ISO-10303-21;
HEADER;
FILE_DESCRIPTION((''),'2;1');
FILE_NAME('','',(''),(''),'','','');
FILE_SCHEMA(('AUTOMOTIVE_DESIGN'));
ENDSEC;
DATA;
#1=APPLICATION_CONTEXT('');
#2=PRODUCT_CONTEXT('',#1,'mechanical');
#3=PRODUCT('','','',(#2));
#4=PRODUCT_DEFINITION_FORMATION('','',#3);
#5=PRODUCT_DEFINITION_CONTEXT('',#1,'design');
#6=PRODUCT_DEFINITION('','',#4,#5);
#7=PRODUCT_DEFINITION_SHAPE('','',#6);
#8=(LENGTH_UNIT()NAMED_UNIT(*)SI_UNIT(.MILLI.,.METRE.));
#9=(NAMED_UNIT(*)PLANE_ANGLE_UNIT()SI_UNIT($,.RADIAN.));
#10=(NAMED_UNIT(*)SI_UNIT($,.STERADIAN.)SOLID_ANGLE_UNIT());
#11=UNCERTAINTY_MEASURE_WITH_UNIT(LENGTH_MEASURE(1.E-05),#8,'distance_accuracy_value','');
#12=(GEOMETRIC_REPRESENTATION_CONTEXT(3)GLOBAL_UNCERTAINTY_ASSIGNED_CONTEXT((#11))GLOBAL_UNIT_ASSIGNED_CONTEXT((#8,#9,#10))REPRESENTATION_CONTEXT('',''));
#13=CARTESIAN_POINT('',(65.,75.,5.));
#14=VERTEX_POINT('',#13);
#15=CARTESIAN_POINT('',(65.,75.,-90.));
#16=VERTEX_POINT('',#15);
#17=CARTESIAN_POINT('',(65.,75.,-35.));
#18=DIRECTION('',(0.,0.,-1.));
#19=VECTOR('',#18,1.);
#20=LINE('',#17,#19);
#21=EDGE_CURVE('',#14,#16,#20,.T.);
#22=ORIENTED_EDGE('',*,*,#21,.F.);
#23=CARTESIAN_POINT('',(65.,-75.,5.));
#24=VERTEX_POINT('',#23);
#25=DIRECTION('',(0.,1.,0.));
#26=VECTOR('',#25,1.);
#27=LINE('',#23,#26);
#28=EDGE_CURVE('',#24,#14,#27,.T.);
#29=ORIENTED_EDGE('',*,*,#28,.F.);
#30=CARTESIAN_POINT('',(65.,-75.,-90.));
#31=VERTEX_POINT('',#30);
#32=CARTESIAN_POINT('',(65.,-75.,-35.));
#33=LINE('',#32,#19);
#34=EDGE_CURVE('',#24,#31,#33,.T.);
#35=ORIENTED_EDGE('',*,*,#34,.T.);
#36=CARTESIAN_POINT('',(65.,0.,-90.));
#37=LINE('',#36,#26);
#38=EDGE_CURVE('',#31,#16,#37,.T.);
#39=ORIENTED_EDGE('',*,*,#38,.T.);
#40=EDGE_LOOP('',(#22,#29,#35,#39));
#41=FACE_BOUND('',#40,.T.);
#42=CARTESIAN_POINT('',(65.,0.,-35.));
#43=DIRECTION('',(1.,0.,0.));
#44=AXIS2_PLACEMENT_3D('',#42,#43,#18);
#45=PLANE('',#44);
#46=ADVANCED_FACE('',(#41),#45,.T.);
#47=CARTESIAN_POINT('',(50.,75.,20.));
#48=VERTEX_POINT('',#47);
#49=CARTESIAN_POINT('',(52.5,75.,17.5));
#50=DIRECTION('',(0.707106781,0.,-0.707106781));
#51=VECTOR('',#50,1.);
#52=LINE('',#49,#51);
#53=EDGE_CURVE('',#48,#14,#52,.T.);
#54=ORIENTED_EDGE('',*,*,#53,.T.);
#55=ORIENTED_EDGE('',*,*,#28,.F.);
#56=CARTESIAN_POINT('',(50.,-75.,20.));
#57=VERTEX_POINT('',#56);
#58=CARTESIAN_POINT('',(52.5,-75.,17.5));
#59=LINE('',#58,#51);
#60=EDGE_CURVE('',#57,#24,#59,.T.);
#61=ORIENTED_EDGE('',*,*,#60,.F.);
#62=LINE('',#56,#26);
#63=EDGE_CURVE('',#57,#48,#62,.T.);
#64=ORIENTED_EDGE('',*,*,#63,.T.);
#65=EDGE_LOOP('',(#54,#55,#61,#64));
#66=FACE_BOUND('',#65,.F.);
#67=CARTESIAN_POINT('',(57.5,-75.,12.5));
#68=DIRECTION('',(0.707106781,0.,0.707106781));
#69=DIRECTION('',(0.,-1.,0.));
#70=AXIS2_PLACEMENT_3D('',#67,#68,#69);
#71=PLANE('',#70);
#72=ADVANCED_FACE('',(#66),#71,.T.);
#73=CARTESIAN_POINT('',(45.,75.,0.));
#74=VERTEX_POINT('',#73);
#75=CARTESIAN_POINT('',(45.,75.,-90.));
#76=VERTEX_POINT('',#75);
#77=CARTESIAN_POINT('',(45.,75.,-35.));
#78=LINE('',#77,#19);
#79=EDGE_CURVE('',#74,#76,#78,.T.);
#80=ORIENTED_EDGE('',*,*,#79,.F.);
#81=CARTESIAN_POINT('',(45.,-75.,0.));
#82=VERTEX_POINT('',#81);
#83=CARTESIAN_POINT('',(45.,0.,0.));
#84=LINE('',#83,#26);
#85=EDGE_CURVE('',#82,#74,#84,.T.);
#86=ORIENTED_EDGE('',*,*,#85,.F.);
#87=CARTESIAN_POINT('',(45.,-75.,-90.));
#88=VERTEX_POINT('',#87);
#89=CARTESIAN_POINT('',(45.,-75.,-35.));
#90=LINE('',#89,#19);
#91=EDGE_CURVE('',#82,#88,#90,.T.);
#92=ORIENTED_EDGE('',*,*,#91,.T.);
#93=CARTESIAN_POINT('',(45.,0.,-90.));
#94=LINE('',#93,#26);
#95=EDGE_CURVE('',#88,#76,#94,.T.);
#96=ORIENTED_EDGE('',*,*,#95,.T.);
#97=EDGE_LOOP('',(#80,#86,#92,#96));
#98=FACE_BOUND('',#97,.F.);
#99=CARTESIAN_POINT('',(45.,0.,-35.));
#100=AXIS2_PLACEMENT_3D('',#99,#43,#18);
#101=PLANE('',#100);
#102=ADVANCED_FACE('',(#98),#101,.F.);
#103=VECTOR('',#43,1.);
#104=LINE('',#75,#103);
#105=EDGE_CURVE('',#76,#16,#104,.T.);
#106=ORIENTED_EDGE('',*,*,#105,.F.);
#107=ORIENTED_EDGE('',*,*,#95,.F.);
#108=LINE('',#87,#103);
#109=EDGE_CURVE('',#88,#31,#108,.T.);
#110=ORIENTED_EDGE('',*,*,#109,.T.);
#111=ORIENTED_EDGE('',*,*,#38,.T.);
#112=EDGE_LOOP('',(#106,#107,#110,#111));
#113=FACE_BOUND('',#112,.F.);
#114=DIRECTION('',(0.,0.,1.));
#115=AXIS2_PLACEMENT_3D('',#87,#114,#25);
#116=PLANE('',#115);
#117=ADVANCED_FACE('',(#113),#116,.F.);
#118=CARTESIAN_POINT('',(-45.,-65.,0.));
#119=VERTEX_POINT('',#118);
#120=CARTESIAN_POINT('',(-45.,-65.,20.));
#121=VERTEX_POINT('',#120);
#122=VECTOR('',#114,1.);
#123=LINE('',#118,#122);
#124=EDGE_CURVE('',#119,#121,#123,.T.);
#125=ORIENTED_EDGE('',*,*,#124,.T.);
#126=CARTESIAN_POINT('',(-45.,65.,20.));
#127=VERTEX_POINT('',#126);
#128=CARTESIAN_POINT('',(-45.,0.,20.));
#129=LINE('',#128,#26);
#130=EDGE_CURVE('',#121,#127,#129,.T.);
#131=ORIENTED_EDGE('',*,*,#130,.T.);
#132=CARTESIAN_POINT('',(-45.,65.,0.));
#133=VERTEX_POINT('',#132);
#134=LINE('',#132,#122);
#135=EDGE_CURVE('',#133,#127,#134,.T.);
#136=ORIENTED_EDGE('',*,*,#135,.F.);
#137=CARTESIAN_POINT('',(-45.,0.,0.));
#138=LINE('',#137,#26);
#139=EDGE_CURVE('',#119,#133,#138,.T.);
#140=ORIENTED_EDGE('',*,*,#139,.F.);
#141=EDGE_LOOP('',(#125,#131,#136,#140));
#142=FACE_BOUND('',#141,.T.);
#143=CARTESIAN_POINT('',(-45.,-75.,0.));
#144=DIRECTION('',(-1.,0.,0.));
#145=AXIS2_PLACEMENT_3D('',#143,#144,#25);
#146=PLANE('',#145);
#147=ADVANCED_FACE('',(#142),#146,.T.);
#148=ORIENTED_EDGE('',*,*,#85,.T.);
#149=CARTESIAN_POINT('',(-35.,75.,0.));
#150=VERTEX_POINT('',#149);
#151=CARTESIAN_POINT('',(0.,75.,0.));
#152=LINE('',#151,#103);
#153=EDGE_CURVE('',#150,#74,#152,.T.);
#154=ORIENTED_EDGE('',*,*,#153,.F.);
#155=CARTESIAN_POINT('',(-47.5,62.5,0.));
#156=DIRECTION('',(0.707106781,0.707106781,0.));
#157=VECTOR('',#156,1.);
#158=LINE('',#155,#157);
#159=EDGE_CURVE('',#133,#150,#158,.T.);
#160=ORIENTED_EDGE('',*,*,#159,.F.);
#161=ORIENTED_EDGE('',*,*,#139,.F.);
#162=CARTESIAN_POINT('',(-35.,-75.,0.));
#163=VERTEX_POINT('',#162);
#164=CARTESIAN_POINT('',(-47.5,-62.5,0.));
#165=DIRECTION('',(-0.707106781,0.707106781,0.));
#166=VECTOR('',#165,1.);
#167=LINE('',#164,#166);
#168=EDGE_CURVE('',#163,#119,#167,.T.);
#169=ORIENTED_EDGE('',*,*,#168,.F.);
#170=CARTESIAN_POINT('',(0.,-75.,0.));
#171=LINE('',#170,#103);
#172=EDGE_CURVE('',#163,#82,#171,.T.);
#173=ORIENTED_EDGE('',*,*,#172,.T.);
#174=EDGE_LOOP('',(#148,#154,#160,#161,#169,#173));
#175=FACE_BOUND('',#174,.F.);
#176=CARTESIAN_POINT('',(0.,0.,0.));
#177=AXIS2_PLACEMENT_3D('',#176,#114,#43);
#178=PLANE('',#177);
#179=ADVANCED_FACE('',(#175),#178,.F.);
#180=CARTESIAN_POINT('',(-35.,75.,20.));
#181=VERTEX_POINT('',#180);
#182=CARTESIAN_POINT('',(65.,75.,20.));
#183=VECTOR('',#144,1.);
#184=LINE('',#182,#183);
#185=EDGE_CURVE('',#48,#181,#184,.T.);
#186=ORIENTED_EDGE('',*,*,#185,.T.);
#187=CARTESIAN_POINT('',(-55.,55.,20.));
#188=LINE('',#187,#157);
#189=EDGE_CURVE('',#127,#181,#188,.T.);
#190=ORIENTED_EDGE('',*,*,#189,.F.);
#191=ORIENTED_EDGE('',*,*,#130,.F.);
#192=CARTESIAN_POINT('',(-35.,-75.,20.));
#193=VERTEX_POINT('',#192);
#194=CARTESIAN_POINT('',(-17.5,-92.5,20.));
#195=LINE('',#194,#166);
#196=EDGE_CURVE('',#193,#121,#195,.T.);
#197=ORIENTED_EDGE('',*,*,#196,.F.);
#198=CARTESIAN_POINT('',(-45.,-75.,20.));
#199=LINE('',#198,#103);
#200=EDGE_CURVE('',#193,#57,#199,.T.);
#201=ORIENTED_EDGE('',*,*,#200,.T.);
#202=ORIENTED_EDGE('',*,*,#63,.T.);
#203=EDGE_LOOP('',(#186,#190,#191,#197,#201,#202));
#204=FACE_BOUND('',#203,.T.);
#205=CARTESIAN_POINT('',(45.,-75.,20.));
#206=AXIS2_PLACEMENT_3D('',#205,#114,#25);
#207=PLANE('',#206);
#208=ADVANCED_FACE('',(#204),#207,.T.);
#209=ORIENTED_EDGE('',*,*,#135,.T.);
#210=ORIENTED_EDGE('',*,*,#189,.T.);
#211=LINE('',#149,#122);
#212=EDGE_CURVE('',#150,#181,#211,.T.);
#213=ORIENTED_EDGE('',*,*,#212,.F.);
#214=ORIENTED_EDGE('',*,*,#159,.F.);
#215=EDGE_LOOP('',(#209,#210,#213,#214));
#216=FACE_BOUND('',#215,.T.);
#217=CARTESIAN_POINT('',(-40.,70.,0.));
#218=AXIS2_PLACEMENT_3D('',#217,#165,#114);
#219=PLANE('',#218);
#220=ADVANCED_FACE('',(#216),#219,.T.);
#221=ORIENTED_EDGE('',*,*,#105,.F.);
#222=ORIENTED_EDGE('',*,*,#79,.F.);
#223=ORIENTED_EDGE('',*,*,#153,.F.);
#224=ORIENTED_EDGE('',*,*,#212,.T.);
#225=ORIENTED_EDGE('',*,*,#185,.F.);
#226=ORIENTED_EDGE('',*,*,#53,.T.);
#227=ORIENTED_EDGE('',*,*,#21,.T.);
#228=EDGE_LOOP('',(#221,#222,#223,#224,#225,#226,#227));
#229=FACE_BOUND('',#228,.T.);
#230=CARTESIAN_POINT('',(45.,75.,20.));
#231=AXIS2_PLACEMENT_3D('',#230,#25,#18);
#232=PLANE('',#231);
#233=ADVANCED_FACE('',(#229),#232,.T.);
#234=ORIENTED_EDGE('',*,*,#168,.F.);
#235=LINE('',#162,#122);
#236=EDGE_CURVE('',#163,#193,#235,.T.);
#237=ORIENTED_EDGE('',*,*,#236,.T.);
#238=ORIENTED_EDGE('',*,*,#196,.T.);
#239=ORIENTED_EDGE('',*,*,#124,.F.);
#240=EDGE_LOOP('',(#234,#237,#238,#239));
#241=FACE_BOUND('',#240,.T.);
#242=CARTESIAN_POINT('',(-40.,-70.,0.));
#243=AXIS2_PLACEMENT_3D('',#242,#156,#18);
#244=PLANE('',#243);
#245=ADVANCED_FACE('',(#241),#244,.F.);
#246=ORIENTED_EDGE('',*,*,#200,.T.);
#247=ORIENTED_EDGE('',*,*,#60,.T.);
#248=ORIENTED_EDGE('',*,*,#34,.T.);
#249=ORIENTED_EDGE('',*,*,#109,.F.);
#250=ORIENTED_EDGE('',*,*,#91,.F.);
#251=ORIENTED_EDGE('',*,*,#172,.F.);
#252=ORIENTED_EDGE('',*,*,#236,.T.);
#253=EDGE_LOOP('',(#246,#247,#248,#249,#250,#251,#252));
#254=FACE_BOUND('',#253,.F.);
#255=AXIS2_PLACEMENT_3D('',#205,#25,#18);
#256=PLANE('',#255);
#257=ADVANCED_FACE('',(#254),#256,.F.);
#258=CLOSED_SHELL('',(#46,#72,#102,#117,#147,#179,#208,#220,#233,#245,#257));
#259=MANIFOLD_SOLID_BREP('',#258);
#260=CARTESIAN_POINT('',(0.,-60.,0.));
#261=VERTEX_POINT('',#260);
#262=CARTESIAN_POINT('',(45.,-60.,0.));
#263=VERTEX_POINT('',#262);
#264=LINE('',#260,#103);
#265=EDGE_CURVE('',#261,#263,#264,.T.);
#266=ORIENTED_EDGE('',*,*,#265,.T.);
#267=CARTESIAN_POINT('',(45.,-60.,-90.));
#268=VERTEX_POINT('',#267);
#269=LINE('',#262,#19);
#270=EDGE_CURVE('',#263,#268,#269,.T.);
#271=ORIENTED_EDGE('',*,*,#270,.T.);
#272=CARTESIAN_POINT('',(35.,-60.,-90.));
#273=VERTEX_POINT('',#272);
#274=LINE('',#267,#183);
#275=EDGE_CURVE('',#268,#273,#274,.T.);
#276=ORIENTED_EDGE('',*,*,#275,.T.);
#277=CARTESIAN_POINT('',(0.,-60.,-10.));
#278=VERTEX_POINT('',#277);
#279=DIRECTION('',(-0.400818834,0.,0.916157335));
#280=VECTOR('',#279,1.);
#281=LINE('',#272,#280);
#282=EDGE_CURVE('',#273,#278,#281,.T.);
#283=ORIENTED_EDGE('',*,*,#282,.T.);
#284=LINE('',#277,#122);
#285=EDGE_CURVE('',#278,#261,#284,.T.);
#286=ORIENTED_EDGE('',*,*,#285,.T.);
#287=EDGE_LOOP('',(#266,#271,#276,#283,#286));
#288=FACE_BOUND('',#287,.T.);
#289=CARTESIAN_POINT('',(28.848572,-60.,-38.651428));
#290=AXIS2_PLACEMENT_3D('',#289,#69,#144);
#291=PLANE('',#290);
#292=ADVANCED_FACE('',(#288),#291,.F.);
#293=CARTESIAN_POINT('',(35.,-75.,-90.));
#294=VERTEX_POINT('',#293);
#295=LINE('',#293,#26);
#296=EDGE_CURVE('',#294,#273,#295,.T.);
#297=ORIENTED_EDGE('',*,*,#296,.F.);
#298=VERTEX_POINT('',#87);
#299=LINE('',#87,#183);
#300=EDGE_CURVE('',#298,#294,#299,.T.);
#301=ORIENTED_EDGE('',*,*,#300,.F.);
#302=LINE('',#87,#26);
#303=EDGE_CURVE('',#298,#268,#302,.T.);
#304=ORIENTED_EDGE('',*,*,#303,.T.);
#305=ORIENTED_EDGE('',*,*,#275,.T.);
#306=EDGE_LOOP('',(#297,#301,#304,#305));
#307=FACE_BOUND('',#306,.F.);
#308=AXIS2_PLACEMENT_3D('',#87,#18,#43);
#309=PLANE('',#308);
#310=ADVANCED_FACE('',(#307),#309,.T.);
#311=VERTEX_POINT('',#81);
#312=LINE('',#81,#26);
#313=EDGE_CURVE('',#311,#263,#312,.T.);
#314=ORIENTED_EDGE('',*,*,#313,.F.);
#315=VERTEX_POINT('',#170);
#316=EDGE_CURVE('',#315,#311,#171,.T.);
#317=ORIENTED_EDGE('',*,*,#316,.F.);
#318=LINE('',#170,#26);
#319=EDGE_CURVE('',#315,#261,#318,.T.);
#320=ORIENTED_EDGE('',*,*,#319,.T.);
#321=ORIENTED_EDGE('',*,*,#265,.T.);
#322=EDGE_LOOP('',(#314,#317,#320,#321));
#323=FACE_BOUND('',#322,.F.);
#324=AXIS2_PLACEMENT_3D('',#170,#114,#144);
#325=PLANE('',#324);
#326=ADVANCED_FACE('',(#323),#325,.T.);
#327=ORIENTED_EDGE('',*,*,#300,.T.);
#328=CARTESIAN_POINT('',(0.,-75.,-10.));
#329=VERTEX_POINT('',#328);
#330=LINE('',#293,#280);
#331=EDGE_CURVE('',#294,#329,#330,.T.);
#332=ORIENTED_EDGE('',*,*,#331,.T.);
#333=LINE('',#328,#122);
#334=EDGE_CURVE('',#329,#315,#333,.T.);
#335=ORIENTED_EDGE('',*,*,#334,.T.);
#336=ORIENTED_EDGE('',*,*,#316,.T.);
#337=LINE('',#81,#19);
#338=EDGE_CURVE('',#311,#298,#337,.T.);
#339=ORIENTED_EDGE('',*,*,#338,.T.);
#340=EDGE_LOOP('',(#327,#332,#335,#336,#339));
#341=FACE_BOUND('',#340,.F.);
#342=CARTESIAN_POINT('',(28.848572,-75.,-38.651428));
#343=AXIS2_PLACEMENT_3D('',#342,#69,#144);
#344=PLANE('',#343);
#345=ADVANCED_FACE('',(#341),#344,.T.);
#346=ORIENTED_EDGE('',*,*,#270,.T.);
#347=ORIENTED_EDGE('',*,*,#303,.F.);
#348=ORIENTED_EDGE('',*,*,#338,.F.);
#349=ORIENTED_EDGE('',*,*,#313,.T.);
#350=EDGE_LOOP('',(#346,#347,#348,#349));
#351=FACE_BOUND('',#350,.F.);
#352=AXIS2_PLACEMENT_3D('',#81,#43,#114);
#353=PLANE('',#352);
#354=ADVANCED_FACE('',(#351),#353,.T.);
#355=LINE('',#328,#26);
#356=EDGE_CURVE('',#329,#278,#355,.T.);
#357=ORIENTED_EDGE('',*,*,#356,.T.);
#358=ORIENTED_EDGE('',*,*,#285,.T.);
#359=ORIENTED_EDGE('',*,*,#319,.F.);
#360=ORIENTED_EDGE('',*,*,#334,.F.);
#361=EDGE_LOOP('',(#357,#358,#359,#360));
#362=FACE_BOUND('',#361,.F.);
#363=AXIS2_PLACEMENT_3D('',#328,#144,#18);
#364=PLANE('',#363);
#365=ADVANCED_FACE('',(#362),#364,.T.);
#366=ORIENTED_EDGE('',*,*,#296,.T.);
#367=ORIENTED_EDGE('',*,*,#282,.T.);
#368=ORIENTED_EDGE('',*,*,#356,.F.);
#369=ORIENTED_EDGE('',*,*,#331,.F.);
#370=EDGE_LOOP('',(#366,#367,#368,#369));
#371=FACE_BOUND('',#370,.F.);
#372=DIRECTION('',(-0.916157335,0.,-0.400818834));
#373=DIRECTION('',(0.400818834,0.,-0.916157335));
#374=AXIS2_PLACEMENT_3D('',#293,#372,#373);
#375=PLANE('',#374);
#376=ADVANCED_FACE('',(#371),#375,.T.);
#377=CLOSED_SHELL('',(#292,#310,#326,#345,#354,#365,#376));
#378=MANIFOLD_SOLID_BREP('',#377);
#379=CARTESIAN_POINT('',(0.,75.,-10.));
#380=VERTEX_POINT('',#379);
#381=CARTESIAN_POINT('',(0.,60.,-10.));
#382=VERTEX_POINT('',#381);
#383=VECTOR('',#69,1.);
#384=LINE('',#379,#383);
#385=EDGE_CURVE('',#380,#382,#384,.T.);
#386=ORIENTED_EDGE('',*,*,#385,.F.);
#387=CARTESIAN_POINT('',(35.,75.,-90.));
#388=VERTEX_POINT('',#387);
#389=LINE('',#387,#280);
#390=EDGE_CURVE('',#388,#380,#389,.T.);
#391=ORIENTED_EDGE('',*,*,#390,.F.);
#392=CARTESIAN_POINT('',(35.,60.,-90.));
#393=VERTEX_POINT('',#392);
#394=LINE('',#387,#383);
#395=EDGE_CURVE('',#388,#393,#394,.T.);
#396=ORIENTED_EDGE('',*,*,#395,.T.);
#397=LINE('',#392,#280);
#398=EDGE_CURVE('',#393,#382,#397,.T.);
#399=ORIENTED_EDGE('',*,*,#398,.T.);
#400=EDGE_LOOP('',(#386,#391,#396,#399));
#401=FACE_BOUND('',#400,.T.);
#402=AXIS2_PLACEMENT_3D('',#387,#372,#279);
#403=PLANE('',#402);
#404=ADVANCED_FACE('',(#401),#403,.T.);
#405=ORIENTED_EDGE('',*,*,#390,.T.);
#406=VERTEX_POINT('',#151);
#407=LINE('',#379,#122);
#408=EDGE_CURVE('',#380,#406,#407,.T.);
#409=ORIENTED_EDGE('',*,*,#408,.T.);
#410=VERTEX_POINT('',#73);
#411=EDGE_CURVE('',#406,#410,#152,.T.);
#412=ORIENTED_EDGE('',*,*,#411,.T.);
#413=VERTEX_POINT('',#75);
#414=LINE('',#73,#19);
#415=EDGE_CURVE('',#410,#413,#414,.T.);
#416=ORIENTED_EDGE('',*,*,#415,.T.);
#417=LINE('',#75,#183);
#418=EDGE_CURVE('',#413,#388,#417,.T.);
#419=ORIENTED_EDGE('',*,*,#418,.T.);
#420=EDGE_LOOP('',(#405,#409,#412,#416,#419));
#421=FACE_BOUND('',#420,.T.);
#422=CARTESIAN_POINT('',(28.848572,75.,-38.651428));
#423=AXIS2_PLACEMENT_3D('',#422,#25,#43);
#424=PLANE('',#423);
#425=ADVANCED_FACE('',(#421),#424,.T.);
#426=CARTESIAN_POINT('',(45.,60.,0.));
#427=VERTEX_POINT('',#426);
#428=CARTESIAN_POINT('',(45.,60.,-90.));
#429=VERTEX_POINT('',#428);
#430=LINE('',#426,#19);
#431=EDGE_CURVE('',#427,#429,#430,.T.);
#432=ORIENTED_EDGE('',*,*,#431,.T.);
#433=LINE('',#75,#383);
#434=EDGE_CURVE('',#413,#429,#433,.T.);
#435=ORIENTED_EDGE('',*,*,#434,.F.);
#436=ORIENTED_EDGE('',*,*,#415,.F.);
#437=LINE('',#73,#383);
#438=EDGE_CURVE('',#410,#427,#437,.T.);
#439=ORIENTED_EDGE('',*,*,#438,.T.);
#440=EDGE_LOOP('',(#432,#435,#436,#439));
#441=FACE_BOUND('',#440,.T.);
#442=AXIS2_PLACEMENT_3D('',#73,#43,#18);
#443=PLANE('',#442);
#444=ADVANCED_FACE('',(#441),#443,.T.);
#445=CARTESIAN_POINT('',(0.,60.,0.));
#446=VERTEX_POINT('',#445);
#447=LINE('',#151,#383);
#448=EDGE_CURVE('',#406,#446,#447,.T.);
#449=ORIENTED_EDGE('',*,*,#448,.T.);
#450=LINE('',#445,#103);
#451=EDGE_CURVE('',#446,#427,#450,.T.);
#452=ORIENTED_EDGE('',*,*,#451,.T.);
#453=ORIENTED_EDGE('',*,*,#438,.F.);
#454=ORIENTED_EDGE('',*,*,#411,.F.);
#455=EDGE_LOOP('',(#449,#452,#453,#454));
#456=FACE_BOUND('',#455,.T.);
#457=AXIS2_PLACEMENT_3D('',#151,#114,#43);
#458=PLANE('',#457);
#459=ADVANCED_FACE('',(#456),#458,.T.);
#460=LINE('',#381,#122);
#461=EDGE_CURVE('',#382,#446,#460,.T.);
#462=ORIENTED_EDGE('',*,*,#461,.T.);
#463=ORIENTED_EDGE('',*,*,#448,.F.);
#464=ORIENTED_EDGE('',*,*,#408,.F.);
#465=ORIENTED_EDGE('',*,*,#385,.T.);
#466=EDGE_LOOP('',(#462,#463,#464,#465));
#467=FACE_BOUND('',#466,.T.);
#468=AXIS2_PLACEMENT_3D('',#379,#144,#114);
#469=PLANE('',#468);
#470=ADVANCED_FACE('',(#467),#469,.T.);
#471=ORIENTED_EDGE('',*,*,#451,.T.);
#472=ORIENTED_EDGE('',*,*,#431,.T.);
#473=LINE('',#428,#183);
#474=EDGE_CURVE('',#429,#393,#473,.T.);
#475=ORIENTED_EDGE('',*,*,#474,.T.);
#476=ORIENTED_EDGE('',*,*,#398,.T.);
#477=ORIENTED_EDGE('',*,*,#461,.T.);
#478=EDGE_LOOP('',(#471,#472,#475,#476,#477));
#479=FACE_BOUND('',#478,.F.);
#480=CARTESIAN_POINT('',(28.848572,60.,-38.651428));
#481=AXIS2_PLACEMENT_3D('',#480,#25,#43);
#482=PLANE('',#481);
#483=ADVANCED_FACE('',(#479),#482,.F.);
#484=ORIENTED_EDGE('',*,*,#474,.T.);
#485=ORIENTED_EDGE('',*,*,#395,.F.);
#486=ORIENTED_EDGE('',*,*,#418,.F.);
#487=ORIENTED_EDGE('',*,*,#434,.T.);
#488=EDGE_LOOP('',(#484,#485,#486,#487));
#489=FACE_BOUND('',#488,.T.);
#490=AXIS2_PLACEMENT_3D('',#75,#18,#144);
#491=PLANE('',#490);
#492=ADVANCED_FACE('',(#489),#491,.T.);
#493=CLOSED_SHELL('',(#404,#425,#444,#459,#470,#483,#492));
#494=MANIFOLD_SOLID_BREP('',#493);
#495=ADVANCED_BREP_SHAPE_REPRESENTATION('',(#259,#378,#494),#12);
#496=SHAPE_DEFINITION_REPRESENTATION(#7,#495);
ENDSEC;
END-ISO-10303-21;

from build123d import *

# Parameters (mm, degrees)
SKETCH_1_W      = 90
SKETCH_1_H      = 150
EXTRUDE_1_DEPTH = 20
SKETCH_2_W      = 110
SKETCH_2_H      = 150
EXTRUDE_2_DEPTH = 20
CHAMFER_1_SIZE  = 10
EXTRUDE_3_DEPTH = 15
CHAMFER_2_SIZE  = 15


with BuildPart() as part:
    # 草图1 → 凸台-拉伸1 (new body)
    with BuildSketch(Plane.XY):
        Rectangle(SKETCH_1_W, SKETCH_1_H)
    extrude(amount=EXTRUDE_1_DEPTH)

    # 草图2 → 凸台-拉伸2 (add)
    with BuildSketch(Plane(origin=(45, 0, 0), x_dir=(0, 0, -1), z_dir=(1, 0, 0))):
        with Locations((35, 0)):
            Rectangle(SKETCH_2_W, SKETCH_2_H)
    extrude(amount=EXTRUDE_2_DEPTH)

    # 倒角1
    chamfer_1_edges = [part.edges().sort_by_distance(p)[0] for p in [
        (-45, -75, 10),
        (-45, 75, 10),
    ]]
    chamfer(chamfer_1_edges, length=CHAMFER_1_SIZE)

    # 倒角2
    chamfer_2_edges = [part.edges().sort_by_distance(p)[0] for p in [
        (65, 0, 20),
    ]]
    chamfer(chamfer_2_edges, length=CHAMFER_2_SIZE)


with BuildPart() as body_2:
    # 草图3 → 凸台-拉伸3 (new body)
    with BuildSketch(Plane(origin=(0, 75, 0), x_dir=(1, 0, 0), z_dir=(0, 1, 0))):
        Polygon((45, 90), (35, 90), (0, 10), (0, 0), (45, 0), align=None)
    extrude(amount=-EXTRUDE_3_DEPTH)


with BuildPart() as body_3:
    # 镜向1: mirrored copy
    add(body_2.part.mirror(Plane.ZX))


solid = Compound([part.part, body_2.part, body_3.part])
